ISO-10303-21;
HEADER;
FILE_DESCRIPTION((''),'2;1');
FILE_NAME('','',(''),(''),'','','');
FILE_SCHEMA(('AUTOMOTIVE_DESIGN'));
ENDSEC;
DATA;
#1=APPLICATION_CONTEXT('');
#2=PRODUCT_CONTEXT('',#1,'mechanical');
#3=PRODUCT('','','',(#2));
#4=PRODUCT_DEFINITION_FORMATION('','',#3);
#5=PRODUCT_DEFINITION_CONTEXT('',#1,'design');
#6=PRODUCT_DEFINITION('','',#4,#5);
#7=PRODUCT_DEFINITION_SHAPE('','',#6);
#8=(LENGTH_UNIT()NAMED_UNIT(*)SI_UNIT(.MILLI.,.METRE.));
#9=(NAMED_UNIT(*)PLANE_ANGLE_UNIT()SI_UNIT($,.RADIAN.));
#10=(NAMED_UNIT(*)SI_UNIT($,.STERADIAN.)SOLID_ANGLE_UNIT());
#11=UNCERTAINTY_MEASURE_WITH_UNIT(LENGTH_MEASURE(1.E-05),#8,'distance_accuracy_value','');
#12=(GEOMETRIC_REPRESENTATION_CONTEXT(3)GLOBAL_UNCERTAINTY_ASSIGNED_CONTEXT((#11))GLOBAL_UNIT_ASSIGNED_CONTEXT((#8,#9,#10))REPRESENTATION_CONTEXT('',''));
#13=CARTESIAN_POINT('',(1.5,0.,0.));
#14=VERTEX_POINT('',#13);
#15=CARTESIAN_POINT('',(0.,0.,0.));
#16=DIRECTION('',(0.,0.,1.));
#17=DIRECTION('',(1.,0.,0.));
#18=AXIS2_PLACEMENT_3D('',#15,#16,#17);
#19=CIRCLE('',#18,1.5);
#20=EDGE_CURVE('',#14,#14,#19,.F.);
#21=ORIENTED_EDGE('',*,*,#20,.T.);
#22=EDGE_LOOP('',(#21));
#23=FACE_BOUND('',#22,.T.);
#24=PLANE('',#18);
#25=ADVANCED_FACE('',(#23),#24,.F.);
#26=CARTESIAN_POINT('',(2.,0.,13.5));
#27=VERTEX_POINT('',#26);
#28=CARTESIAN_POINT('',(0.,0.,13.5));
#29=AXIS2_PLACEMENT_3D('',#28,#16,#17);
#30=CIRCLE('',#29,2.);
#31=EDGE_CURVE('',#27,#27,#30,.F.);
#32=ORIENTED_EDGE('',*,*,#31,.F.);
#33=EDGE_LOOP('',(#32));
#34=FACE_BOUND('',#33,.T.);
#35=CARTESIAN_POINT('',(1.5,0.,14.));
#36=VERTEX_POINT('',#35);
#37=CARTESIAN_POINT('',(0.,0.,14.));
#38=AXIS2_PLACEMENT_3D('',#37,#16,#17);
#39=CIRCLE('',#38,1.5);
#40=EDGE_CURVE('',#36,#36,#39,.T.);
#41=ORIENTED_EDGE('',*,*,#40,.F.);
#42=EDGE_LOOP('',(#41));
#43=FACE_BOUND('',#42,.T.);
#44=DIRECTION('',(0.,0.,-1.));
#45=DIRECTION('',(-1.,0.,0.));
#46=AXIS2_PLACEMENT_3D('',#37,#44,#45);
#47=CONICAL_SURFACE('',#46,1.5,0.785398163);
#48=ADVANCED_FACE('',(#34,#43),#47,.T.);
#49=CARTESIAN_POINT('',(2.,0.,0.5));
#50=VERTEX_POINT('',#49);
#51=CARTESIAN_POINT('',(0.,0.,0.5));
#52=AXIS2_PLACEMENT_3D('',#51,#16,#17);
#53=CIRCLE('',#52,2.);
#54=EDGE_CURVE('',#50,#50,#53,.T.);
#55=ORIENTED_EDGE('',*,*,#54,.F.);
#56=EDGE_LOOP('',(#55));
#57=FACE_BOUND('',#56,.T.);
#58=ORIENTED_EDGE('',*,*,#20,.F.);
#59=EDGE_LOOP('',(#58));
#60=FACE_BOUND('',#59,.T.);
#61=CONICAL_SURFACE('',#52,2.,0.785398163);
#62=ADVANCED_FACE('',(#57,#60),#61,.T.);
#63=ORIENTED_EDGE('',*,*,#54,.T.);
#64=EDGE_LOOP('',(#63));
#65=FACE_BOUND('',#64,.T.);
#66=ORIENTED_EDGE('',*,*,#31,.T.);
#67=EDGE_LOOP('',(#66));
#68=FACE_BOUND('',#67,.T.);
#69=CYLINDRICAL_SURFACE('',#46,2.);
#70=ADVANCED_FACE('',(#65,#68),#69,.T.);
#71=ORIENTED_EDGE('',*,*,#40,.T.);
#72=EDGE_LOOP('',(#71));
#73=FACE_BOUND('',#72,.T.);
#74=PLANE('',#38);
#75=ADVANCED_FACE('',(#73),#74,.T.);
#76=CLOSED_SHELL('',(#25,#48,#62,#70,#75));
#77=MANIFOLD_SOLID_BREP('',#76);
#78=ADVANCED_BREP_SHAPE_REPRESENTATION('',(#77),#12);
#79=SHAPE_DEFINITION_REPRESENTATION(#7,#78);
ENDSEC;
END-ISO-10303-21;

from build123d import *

# Parameters (mm, degrees)
SKETCH1_R           = 2
BOSS_EXTRUDE1_DEPTH = 14
CHAMFER1_SIZE       = 0.5


with BuildPart() as part:
    # Sketch1 → Boss-Extrude1 (new body)
    with BuildSketch(Plane.XY):
        Circle(SKETCH1_R)
    extrude(amount=BOSS_EXTRUDE1_DEPTH)

    # Chamfer1
    chamfer1_edges = [part.edges().sort_by_distance(p)[0] for p in [
        (-2, 0, 0),
        (-2, 0, 14),
    ]]
    chamfer(chamfer1_edges, length=CHAMFER1_SIZE)


solid = part.part
